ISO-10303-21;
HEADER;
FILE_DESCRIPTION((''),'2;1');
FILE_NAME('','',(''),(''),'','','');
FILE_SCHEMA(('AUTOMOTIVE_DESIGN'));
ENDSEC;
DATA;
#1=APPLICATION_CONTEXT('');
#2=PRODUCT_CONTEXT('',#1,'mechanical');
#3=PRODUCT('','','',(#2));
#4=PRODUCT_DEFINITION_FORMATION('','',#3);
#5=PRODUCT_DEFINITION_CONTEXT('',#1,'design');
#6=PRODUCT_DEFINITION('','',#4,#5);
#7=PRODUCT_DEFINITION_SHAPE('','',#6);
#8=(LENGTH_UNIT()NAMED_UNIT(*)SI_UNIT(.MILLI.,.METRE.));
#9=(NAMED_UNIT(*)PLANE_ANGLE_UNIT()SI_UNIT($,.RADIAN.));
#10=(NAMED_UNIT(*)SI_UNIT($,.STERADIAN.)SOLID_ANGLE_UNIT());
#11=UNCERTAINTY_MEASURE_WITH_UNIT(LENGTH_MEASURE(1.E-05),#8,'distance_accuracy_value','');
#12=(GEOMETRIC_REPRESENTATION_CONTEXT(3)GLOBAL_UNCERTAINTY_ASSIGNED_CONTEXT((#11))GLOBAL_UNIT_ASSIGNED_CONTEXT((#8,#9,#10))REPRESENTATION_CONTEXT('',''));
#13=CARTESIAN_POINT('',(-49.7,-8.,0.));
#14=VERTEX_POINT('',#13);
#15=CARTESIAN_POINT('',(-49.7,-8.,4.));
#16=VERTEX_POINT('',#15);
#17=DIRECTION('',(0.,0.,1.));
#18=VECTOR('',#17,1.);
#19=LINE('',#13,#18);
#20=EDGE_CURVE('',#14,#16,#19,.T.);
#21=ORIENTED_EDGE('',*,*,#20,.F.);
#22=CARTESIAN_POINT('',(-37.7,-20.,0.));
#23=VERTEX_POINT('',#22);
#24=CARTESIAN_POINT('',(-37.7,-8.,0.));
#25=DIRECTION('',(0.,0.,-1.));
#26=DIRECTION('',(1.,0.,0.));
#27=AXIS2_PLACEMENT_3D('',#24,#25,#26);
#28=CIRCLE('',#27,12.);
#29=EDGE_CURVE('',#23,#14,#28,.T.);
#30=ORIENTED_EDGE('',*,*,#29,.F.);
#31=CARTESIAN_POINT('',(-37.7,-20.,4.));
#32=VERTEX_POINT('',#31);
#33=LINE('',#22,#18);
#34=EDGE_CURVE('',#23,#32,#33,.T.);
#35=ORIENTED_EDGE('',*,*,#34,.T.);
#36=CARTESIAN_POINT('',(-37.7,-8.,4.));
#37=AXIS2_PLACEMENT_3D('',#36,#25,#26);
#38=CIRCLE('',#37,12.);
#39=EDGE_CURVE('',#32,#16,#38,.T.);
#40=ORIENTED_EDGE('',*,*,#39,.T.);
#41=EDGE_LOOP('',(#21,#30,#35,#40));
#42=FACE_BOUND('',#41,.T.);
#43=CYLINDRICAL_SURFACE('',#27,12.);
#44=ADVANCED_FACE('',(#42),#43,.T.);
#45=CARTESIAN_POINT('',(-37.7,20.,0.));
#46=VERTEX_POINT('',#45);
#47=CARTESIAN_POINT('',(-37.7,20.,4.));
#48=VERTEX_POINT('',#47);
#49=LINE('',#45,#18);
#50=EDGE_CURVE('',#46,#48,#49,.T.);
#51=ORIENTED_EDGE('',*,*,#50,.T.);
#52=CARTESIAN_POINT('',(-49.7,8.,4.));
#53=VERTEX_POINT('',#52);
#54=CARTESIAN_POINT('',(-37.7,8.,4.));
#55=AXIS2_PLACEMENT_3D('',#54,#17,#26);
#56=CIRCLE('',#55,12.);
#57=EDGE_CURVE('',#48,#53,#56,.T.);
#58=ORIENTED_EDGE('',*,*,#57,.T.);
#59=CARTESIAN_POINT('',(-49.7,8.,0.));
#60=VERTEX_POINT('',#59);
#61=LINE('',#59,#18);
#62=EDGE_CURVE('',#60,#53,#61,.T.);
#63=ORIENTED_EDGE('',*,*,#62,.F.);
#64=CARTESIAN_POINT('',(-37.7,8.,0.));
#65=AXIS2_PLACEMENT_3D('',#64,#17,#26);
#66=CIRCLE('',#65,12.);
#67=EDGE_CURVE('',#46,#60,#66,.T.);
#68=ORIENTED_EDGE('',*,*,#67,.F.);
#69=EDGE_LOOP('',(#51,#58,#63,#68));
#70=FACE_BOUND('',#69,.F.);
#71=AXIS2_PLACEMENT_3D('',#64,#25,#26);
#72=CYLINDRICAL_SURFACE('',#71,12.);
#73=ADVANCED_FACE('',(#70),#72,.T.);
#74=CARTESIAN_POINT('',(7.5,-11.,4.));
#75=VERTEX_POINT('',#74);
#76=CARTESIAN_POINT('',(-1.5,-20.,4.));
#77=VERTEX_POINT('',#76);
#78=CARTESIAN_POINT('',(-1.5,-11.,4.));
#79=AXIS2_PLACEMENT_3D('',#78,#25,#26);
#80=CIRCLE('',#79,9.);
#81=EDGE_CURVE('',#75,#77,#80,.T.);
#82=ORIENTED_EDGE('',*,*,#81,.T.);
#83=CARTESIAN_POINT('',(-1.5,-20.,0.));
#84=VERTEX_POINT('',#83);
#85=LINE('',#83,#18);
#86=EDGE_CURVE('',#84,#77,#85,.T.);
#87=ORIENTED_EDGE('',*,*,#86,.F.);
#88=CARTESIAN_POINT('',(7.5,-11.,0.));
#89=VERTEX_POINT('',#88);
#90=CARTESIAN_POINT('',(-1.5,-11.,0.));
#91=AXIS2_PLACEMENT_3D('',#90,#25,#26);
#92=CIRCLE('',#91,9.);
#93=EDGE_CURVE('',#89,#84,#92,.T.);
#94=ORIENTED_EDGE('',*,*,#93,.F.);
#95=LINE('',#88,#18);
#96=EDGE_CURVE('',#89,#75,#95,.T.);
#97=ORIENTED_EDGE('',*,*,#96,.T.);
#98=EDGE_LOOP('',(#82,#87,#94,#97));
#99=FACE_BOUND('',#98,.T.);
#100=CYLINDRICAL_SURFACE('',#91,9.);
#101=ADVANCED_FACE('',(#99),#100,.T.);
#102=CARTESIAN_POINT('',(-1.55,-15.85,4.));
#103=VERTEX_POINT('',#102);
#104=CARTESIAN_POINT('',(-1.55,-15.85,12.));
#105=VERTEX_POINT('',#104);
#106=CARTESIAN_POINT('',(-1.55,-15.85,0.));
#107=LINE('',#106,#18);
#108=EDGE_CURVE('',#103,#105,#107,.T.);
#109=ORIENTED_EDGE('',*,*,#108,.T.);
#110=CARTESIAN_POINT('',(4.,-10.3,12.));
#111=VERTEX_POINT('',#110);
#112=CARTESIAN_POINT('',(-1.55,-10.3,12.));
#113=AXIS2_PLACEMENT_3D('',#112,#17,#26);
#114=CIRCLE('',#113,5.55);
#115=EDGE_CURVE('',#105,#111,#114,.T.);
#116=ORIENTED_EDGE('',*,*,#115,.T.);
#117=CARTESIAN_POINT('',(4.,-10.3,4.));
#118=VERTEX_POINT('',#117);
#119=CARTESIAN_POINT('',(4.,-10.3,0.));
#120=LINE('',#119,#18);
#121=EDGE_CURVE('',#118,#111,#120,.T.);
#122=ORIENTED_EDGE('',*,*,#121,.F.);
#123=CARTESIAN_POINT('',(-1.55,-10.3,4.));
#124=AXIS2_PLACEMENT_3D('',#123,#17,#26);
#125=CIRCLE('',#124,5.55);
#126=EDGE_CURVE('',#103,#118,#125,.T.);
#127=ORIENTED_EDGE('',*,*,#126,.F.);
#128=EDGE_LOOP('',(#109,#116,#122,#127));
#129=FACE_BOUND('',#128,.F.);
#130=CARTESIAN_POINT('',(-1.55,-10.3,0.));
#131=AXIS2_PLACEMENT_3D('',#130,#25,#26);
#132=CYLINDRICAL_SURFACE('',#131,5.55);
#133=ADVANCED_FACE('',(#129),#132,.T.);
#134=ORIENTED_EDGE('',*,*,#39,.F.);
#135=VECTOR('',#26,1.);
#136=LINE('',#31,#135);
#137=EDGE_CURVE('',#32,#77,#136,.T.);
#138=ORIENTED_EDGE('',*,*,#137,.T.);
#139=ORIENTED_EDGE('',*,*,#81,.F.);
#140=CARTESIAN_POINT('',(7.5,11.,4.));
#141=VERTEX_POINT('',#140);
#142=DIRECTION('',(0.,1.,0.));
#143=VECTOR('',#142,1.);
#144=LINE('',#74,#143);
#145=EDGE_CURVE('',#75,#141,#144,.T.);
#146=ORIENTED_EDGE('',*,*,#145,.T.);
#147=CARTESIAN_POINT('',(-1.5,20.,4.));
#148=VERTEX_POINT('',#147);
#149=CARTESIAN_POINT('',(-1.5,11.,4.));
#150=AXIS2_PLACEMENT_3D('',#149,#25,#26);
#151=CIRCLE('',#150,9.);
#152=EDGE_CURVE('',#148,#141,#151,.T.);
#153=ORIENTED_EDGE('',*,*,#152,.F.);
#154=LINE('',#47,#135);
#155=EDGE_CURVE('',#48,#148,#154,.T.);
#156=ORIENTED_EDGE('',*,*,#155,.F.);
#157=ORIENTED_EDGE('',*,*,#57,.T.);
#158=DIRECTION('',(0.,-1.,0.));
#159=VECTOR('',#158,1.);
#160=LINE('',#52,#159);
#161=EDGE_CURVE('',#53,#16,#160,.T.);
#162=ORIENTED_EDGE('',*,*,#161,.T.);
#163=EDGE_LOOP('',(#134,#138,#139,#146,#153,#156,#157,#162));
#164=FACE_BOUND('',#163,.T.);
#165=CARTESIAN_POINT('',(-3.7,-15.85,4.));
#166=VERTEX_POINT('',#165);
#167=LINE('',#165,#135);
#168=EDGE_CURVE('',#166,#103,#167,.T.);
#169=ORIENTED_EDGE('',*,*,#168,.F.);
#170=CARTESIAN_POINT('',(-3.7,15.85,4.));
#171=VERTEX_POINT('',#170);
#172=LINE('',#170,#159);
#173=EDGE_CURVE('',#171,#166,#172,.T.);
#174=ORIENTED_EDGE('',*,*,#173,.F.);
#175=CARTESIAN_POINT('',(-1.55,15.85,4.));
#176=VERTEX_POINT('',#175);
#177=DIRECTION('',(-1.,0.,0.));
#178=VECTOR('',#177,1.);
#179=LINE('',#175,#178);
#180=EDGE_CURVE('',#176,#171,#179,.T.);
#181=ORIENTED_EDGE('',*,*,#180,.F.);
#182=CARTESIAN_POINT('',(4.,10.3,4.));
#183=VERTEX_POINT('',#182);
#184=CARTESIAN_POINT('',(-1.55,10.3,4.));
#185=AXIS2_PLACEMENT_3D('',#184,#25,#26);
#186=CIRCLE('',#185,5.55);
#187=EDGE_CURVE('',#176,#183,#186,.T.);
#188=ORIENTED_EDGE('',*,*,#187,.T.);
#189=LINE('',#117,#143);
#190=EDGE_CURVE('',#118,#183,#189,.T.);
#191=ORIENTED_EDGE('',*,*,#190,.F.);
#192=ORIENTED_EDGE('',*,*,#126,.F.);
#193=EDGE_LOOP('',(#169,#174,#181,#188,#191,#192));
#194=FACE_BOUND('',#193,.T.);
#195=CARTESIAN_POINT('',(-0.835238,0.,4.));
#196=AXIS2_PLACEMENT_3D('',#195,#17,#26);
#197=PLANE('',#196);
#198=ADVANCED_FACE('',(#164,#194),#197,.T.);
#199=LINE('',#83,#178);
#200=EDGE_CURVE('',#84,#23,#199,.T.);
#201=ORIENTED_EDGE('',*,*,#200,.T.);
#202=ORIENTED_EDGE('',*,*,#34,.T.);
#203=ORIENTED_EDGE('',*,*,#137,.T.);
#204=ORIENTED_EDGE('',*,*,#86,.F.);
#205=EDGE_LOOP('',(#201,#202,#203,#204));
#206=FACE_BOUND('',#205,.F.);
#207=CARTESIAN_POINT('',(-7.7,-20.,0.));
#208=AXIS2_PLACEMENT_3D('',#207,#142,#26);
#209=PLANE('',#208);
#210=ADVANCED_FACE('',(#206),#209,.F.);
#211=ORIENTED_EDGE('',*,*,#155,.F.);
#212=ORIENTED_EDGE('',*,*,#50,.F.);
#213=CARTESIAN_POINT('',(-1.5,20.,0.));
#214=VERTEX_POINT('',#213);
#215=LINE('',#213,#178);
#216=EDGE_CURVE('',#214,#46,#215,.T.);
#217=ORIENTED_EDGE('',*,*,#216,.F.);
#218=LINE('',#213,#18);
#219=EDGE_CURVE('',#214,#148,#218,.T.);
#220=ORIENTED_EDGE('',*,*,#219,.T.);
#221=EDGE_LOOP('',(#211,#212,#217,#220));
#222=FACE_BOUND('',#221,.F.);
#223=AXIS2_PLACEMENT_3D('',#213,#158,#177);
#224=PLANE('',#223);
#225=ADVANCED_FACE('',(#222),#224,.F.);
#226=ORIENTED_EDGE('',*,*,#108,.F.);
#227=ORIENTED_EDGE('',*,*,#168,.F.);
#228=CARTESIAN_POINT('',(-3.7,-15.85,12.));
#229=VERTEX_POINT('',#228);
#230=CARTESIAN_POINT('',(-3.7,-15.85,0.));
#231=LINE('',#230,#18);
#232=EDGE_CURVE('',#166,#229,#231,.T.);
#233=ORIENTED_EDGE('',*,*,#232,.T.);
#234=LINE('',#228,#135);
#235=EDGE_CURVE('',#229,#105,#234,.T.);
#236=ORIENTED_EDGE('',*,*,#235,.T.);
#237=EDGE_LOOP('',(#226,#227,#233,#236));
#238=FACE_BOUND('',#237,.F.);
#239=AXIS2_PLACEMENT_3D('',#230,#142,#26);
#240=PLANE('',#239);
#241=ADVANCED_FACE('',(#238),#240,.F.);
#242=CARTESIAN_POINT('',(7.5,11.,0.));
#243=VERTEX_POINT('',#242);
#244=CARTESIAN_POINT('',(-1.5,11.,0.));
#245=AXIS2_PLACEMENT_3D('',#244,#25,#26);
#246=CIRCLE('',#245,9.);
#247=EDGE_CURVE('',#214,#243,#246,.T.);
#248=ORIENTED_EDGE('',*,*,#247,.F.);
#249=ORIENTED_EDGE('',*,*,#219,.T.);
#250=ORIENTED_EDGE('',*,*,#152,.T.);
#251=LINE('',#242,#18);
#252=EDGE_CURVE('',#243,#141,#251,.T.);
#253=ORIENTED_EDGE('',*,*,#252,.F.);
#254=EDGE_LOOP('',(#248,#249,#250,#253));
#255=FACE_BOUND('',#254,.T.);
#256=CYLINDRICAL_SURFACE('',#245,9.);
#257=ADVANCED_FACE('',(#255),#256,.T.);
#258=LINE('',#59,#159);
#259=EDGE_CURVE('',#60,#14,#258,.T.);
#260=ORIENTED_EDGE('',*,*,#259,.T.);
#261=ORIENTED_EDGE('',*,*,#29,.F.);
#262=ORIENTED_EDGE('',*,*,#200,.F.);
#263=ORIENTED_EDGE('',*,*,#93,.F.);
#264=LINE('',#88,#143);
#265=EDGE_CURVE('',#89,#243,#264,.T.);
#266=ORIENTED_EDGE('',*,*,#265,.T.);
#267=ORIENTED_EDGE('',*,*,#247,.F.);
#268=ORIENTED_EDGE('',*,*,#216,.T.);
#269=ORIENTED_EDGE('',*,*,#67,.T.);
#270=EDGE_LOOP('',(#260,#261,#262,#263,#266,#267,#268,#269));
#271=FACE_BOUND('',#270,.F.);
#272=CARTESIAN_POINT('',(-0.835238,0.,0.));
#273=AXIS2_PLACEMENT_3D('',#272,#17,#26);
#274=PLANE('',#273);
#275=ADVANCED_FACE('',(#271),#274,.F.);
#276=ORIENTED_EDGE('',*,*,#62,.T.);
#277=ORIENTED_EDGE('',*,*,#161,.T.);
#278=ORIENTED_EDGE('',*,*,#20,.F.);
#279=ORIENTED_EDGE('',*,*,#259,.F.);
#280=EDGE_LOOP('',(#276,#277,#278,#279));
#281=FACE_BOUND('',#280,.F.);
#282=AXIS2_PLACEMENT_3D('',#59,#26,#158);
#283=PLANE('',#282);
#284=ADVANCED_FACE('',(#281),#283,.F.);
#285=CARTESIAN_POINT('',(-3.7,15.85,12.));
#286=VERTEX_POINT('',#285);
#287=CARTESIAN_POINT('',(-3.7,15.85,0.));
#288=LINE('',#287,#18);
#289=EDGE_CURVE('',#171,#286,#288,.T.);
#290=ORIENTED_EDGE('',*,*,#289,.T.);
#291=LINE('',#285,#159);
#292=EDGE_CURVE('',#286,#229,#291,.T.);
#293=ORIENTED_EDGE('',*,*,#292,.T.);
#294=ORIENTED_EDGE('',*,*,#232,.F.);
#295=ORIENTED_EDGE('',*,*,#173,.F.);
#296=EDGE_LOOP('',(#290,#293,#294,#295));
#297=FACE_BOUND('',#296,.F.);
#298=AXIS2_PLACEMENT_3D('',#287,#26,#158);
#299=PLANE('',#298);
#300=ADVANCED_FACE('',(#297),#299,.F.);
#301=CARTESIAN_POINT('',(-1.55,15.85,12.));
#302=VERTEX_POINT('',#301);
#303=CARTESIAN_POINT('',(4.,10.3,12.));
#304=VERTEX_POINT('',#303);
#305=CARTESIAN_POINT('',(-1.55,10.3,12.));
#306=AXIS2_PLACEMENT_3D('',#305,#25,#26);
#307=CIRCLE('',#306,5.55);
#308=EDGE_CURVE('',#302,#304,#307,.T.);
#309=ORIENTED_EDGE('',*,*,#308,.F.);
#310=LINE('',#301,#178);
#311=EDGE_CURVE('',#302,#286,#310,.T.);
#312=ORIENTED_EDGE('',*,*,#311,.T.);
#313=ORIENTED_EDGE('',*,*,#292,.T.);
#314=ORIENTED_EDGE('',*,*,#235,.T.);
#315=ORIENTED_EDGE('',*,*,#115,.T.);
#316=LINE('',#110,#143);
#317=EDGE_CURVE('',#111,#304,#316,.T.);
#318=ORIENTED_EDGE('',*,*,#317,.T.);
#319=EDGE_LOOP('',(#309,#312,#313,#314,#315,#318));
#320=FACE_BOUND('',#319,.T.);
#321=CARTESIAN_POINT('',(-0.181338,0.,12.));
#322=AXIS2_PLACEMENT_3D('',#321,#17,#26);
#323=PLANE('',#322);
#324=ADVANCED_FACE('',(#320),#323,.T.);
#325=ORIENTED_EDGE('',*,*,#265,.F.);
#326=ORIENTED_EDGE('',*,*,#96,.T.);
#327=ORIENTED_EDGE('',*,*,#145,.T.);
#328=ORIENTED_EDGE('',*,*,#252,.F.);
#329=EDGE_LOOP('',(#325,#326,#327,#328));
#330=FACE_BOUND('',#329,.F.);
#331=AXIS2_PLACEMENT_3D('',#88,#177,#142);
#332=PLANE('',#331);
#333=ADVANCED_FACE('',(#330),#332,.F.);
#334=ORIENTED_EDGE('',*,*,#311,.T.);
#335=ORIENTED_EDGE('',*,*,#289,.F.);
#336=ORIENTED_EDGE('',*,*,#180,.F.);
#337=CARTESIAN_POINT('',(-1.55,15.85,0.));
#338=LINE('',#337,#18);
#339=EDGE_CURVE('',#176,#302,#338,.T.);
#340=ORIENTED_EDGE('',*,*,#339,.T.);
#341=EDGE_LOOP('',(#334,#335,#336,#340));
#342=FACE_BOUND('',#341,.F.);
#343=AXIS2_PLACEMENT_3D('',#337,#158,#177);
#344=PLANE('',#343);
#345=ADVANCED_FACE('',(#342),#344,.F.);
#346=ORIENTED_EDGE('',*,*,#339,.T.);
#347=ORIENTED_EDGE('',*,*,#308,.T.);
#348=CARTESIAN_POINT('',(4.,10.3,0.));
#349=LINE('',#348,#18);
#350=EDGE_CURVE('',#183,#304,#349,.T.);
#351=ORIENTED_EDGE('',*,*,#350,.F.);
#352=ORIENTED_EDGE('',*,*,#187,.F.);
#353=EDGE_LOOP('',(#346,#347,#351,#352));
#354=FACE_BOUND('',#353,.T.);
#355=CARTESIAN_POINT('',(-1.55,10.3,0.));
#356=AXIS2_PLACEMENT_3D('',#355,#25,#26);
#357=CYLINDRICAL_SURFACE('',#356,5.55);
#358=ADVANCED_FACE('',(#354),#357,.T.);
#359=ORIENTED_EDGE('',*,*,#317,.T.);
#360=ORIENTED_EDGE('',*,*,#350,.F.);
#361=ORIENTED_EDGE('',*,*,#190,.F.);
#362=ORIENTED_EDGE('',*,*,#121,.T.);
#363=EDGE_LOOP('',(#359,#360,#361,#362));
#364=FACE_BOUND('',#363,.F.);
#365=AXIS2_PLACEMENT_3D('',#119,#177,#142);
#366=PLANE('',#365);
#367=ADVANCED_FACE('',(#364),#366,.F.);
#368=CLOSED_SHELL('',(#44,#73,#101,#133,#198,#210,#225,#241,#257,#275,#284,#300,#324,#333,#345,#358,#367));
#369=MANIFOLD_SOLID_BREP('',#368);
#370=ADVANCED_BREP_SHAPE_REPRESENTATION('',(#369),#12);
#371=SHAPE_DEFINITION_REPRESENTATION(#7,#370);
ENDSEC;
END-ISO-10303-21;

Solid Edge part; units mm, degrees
sketch "Sketch1" plane through (0, 0, 0) normal (0, 0, 1) x (1, 0, 0)
  line L0 (-1.55, 15.85) -> (-3.7, 15.85)
  line L1 (-3.7, 15.85) -> (-3.7, -15.85)
  line L2 (-3.7, -15.85) -> (-1.55, -15.85)
  arc A0 (-1.55, -15.85) -> (4, -10.3) centre (-1.55, -10.3) ccw
  line L3 (4, -10.3) -> (4, 10.3)
  arc A1 (-1.55, 15.85) -> (4, 10.3) centre (-1.55, 10.3) cw
  line L4 (-1.5, 20) -> (-7.7, 20)
  line L5 (-7.7, 20) -> (-7.7, -20)
  line L6 (-7.7, -20) -> (-1.5, -20)
  arc A2 (7.5, -11) -> (-1.5, -20) centre (-1.5, -11) cw
  line L7 (7.5, -11) -> (7.5, 11)
  arc A3 (-1.5, 20) -> (7.5, 11) centre (-1.5, 11) cw
  dimension "D1" = 9
  dimension "D2" = 9
  dimension "D3" = 40
  dimension "D4" = 31.7
  dimension "D5" = 4.15
  dimension "D6" = 7.7
  dimension "D7" = 4
  dimension "D8" = 5.55
  dimension "D9" = 5.55
  dimension "D10" = 42
  dimension "D11" = 12
  dimension "D12" = 12
extrude "Protrusion1" add sketch "Sketch1" along normal blind 4
sketch "Sketch2" plane through (0, 0, 0) normal (0, 0, 1) x (1, 0, 0)
  arc A0 (-37.7, -20) -> (-49.7, -8) centre (-37.7, -8) cw
  line L0 (-49.7, 8) -> (-49.7, -8)
  arc A1 (-37.7, 20) -> (-49.7, 8) centre (-37.7, 8) ccw
  line L1 (-7.7, 20) -> (-37.7, 20)
  line L2 (-7.7, 20) -> (-7.7, -20)
  line L3 (-37.7, -20) -> (-7.7, -20)
extrude "ProtrusiónExtruida_7" add sketch "Sketch2" along normal blind 4
sketch "Sketch3" plane through (0, 0, 0) normal (0, 0, 1) x (1, 0, 0)
  line L0 (-3.7, -15.85) -> (-1.55, -15.85)
  arc A0 (-1.55, -15.85) -> (4, -10.3) centre (-1.55, -10.3) ccw
  line L1 (4, -10.3) -> (4, 10.3)
  arc A1 (-1.55, 15.85) -> (4, 10.3) centre (-1.55, 10.3) cw
  line L2 (-1.55, 15.85) -> (-3.7, 15.85)
  line L3 (-3.7, 15.85) -> (-3.7, -15.85)
extrude "ProtrusiónExtruida_8" add sketch "Sketch3" along normal blind 12
